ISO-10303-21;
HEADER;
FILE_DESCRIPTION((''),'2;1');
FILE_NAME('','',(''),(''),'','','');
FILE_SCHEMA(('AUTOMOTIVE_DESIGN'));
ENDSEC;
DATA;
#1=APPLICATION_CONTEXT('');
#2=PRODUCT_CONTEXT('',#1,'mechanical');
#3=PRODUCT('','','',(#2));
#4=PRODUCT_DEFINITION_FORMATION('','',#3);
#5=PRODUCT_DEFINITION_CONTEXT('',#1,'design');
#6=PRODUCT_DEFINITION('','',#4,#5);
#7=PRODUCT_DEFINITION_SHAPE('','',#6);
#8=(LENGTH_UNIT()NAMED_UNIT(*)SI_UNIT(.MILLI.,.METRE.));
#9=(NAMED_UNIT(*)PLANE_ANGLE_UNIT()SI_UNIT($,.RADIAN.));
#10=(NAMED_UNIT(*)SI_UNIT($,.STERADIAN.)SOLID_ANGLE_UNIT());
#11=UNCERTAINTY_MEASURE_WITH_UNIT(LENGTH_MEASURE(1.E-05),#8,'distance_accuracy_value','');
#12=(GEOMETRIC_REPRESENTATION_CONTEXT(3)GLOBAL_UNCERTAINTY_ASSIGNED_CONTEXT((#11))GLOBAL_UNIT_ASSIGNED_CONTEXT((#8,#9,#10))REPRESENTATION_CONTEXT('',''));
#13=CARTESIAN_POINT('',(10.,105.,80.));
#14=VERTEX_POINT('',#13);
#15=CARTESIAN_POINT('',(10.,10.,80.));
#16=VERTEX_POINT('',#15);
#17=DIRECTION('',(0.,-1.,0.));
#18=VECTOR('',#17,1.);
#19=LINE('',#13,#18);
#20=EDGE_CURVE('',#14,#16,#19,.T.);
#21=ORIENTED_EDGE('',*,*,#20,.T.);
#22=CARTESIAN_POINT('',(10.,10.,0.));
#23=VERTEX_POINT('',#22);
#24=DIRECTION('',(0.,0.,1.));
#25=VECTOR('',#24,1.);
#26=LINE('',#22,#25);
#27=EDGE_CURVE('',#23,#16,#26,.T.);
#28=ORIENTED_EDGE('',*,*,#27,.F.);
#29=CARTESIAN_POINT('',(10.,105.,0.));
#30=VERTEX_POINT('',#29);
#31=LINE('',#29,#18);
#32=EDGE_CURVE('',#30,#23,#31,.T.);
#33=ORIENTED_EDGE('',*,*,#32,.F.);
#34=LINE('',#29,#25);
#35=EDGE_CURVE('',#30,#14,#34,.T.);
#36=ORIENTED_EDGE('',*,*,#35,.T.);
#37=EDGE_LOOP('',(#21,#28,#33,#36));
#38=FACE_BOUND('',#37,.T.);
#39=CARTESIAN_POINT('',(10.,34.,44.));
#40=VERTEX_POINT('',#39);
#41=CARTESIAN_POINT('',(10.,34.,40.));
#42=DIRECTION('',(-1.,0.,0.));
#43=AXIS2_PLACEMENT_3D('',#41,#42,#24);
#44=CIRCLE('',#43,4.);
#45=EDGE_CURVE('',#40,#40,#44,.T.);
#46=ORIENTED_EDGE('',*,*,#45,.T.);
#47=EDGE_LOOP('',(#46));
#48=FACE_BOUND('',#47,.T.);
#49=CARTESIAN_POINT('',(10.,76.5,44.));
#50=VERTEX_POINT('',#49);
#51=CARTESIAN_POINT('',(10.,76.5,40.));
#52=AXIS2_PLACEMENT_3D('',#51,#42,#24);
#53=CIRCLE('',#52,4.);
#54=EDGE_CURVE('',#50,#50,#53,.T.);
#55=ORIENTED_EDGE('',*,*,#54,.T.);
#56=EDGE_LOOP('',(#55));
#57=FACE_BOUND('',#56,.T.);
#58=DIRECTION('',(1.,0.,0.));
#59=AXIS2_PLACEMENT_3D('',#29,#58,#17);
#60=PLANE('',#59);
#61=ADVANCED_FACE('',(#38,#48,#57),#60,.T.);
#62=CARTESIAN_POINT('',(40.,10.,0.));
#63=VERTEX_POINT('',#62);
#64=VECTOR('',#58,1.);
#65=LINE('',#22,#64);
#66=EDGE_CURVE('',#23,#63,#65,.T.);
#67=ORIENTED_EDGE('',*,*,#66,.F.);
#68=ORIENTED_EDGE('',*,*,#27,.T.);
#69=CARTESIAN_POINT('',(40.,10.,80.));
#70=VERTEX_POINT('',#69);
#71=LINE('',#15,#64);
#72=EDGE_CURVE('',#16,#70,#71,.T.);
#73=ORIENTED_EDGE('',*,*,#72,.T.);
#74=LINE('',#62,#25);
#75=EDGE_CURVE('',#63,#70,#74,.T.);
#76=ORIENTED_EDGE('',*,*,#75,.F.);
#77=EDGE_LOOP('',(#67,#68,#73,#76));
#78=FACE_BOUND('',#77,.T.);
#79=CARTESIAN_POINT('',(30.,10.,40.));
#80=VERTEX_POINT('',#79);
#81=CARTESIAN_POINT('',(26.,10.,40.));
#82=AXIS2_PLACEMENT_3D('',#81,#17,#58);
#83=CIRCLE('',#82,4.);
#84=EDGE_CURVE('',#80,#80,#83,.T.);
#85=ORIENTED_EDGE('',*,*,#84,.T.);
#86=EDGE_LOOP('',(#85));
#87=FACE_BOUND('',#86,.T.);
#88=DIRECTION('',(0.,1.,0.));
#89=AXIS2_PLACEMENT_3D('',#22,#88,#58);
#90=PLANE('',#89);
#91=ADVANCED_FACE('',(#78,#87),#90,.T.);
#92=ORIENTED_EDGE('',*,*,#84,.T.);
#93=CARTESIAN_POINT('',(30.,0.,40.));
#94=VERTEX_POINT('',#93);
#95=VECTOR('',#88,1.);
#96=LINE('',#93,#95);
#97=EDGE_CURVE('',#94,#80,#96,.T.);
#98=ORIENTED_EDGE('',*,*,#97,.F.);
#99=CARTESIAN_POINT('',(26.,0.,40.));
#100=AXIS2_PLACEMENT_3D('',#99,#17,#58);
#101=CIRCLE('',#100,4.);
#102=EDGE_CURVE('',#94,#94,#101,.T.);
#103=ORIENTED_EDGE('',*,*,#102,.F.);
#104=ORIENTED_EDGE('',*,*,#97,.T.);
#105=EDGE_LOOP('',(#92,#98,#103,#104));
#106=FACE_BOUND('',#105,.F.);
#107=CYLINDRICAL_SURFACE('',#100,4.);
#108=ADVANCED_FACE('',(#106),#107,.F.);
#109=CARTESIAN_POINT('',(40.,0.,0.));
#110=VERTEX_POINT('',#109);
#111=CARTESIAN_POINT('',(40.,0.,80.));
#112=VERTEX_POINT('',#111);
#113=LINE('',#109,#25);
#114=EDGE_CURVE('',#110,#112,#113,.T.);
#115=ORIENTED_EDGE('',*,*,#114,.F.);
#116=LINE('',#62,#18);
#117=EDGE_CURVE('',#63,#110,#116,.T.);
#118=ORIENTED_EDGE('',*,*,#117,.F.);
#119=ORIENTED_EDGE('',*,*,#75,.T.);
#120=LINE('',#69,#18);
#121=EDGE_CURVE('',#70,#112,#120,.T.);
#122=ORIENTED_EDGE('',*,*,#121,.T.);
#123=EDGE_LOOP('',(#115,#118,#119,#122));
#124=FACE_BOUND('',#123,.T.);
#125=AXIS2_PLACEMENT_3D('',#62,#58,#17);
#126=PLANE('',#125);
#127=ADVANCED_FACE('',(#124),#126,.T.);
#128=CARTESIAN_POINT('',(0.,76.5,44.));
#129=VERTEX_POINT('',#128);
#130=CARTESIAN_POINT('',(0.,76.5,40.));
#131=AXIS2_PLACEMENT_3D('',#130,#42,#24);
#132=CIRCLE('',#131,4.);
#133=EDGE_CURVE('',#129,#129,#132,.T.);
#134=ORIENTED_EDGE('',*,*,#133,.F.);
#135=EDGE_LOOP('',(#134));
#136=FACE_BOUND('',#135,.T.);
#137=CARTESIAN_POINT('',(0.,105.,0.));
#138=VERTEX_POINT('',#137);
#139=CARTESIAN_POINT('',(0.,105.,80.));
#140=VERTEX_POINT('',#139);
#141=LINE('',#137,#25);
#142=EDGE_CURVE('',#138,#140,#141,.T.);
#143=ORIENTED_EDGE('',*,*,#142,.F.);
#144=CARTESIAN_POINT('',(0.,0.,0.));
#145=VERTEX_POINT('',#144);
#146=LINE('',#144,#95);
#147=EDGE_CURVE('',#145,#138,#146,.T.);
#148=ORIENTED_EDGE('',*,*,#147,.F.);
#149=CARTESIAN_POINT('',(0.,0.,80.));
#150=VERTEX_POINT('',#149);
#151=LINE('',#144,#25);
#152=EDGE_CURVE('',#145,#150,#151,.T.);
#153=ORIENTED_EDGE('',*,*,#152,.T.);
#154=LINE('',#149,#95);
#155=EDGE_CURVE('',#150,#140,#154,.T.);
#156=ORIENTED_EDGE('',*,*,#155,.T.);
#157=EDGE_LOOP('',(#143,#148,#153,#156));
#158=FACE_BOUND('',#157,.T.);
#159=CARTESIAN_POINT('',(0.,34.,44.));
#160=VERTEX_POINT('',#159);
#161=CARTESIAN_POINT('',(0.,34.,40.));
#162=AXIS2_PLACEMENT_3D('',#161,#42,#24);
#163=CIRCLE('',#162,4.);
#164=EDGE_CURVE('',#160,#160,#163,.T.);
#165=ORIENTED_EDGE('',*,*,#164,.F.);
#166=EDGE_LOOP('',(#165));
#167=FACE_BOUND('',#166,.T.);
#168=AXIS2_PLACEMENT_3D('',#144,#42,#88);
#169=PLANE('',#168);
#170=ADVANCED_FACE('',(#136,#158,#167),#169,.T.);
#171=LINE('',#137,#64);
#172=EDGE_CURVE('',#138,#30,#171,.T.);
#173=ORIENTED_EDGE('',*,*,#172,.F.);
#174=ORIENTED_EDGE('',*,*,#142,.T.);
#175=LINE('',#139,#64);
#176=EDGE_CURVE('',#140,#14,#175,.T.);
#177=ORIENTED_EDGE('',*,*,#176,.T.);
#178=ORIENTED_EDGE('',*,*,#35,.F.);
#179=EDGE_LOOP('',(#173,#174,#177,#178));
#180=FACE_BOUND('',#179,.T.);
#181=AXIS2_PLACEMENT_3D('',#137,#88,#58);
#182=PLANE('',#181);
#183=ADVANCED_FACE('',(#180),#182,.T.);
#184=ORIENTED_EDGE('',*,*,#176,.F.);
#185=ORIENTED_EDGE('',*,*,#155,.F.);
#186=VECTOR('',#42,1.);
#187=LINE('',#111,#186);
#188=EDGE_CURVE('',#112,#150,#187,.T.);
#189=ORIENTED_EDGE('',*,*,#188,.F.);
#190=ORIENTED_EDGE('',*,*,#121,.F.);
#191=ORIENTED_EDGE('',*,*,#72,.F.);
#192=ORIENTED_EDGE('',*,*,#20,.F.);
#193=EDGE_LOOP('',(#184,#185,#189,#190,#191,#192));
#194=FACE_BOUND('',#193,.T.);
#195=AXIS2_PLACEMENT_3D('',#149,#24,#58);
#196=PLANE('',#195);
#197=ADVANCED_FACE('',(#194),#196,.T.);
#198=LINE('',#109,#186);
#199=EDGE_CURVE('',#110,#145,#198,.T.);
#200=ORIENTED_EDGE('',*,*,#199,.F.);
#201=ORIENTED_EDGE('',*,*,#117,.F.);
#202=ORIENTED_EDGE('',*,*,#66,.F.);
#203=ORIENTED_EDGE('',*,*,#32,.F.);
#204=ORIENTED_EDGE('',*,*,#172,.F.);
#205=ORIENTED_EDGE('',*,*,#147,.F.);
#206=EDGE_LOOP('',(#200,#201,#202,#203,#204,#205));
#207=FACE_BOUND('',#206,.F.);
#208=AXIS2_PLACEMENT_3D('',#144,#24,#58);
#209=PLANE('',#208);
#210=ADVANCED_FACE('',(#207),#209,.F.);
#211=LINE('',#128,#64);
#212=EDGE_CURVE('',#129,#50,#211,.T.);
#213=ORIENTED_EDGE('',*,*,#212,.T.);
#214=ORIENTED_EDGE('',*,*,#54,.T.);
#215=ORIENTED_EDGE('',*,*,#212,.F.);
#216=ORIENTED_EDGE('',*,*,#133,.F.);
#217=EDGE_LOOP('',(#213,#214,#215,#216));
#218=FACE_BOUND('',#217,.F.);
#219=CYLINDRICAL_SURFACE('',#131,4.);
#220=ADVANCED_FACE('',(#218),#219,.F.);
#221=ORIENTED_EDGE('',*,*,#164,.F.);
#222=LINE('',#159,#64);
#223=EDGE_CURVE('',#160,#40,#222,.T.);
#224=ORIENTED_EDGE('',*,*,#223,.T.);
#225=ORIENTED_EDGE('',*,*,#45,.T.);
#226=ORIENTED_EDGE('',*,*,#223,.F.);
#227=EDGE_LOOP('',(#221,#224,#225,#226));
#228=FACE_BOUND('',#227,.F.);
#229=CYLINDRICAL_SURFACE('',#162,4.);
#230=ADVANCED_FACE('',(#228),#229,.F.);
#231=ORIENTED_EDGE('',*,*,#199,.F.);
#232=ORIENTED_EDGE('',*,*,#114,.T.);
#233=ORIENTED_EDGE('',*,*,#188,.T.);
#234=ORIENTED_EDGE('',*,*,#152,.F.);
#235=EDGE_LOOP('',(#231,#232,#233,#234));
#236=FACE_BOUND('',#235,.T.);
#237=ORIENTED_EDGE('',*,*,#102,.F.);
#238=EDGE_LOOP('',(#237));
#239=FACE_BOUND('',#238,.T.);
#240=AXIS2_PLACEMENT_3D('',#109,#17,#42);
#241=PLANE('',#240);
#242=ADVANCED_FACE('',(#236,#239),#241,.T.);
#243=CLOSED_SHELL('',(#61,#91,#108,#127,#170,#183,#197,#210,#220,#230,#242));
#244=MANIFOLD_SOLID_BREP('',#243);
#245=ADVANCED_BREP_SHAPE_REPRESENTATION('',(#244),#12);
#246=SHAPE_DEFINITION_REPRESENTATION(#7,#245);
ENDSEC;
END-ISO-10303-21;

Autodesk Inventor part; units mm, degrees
ref_plane "YZ Plane" through (0, 0, 0) normal (1, 0, 0) x (0, 1, 0)
ref_plane "XZ Plane" through (0, 0, 0) normal (0, 1, 0) x (-1, 0, 0)
ref_plane "XY Plane" through (0, 0, 0) normal (0, 0, 1) x (1, 0, 0)
sketch "Sketch1" plane through (0, 0, 0) normal (0, 0, 1) x (1, 0, 0)
  line L0 (0, 0) -> (0, 105)
  line L1 (0, 105) -> (10, 105)
  line L2 (10, 105) -> (10, 10)
  line L3 (10, 10) -> (40, 10)
  line L4 (40, 10) -> (40, 0)
  line L5 (40, 0) -> (0, 0)
  dimension "d0" = 105
  dimension "d1" = 10
  dimension "d2" = 95
  dimension "d3" = 30
  dimension "d4" = 10
  dimension "d5" = 40
extrude "Extrusion1" add sketch "Sketch1" along normal blind 80
sketch "Sketch2" plane through (0, 0, 0) normal (-1, 0, 0) x (0, 0, 1)
  circle A0 centre (40, 34) radius 4
  point P0 (0, 0)
  dimension "d8" = 8
extrude "Extrusion2" cut sketch "Sketch2" against normal blind 10
pattern_linear "Rectangular Pattern1" count 2 spacing 42.5 along (0, 1, 0) of "Extrusion2"
sketch "Sketch3" plane through (0, 0, 0) normal (0, -1, 0) x (1, 0, 0)
  circle A0 centre (26, 40) radius 4
  point P0 (0, 0)
  dimension "d14" = 8
extrude "Extrusion3" cut sketch "Sketch3" against normal blind 10
properties part number "AutoCad Part3"
